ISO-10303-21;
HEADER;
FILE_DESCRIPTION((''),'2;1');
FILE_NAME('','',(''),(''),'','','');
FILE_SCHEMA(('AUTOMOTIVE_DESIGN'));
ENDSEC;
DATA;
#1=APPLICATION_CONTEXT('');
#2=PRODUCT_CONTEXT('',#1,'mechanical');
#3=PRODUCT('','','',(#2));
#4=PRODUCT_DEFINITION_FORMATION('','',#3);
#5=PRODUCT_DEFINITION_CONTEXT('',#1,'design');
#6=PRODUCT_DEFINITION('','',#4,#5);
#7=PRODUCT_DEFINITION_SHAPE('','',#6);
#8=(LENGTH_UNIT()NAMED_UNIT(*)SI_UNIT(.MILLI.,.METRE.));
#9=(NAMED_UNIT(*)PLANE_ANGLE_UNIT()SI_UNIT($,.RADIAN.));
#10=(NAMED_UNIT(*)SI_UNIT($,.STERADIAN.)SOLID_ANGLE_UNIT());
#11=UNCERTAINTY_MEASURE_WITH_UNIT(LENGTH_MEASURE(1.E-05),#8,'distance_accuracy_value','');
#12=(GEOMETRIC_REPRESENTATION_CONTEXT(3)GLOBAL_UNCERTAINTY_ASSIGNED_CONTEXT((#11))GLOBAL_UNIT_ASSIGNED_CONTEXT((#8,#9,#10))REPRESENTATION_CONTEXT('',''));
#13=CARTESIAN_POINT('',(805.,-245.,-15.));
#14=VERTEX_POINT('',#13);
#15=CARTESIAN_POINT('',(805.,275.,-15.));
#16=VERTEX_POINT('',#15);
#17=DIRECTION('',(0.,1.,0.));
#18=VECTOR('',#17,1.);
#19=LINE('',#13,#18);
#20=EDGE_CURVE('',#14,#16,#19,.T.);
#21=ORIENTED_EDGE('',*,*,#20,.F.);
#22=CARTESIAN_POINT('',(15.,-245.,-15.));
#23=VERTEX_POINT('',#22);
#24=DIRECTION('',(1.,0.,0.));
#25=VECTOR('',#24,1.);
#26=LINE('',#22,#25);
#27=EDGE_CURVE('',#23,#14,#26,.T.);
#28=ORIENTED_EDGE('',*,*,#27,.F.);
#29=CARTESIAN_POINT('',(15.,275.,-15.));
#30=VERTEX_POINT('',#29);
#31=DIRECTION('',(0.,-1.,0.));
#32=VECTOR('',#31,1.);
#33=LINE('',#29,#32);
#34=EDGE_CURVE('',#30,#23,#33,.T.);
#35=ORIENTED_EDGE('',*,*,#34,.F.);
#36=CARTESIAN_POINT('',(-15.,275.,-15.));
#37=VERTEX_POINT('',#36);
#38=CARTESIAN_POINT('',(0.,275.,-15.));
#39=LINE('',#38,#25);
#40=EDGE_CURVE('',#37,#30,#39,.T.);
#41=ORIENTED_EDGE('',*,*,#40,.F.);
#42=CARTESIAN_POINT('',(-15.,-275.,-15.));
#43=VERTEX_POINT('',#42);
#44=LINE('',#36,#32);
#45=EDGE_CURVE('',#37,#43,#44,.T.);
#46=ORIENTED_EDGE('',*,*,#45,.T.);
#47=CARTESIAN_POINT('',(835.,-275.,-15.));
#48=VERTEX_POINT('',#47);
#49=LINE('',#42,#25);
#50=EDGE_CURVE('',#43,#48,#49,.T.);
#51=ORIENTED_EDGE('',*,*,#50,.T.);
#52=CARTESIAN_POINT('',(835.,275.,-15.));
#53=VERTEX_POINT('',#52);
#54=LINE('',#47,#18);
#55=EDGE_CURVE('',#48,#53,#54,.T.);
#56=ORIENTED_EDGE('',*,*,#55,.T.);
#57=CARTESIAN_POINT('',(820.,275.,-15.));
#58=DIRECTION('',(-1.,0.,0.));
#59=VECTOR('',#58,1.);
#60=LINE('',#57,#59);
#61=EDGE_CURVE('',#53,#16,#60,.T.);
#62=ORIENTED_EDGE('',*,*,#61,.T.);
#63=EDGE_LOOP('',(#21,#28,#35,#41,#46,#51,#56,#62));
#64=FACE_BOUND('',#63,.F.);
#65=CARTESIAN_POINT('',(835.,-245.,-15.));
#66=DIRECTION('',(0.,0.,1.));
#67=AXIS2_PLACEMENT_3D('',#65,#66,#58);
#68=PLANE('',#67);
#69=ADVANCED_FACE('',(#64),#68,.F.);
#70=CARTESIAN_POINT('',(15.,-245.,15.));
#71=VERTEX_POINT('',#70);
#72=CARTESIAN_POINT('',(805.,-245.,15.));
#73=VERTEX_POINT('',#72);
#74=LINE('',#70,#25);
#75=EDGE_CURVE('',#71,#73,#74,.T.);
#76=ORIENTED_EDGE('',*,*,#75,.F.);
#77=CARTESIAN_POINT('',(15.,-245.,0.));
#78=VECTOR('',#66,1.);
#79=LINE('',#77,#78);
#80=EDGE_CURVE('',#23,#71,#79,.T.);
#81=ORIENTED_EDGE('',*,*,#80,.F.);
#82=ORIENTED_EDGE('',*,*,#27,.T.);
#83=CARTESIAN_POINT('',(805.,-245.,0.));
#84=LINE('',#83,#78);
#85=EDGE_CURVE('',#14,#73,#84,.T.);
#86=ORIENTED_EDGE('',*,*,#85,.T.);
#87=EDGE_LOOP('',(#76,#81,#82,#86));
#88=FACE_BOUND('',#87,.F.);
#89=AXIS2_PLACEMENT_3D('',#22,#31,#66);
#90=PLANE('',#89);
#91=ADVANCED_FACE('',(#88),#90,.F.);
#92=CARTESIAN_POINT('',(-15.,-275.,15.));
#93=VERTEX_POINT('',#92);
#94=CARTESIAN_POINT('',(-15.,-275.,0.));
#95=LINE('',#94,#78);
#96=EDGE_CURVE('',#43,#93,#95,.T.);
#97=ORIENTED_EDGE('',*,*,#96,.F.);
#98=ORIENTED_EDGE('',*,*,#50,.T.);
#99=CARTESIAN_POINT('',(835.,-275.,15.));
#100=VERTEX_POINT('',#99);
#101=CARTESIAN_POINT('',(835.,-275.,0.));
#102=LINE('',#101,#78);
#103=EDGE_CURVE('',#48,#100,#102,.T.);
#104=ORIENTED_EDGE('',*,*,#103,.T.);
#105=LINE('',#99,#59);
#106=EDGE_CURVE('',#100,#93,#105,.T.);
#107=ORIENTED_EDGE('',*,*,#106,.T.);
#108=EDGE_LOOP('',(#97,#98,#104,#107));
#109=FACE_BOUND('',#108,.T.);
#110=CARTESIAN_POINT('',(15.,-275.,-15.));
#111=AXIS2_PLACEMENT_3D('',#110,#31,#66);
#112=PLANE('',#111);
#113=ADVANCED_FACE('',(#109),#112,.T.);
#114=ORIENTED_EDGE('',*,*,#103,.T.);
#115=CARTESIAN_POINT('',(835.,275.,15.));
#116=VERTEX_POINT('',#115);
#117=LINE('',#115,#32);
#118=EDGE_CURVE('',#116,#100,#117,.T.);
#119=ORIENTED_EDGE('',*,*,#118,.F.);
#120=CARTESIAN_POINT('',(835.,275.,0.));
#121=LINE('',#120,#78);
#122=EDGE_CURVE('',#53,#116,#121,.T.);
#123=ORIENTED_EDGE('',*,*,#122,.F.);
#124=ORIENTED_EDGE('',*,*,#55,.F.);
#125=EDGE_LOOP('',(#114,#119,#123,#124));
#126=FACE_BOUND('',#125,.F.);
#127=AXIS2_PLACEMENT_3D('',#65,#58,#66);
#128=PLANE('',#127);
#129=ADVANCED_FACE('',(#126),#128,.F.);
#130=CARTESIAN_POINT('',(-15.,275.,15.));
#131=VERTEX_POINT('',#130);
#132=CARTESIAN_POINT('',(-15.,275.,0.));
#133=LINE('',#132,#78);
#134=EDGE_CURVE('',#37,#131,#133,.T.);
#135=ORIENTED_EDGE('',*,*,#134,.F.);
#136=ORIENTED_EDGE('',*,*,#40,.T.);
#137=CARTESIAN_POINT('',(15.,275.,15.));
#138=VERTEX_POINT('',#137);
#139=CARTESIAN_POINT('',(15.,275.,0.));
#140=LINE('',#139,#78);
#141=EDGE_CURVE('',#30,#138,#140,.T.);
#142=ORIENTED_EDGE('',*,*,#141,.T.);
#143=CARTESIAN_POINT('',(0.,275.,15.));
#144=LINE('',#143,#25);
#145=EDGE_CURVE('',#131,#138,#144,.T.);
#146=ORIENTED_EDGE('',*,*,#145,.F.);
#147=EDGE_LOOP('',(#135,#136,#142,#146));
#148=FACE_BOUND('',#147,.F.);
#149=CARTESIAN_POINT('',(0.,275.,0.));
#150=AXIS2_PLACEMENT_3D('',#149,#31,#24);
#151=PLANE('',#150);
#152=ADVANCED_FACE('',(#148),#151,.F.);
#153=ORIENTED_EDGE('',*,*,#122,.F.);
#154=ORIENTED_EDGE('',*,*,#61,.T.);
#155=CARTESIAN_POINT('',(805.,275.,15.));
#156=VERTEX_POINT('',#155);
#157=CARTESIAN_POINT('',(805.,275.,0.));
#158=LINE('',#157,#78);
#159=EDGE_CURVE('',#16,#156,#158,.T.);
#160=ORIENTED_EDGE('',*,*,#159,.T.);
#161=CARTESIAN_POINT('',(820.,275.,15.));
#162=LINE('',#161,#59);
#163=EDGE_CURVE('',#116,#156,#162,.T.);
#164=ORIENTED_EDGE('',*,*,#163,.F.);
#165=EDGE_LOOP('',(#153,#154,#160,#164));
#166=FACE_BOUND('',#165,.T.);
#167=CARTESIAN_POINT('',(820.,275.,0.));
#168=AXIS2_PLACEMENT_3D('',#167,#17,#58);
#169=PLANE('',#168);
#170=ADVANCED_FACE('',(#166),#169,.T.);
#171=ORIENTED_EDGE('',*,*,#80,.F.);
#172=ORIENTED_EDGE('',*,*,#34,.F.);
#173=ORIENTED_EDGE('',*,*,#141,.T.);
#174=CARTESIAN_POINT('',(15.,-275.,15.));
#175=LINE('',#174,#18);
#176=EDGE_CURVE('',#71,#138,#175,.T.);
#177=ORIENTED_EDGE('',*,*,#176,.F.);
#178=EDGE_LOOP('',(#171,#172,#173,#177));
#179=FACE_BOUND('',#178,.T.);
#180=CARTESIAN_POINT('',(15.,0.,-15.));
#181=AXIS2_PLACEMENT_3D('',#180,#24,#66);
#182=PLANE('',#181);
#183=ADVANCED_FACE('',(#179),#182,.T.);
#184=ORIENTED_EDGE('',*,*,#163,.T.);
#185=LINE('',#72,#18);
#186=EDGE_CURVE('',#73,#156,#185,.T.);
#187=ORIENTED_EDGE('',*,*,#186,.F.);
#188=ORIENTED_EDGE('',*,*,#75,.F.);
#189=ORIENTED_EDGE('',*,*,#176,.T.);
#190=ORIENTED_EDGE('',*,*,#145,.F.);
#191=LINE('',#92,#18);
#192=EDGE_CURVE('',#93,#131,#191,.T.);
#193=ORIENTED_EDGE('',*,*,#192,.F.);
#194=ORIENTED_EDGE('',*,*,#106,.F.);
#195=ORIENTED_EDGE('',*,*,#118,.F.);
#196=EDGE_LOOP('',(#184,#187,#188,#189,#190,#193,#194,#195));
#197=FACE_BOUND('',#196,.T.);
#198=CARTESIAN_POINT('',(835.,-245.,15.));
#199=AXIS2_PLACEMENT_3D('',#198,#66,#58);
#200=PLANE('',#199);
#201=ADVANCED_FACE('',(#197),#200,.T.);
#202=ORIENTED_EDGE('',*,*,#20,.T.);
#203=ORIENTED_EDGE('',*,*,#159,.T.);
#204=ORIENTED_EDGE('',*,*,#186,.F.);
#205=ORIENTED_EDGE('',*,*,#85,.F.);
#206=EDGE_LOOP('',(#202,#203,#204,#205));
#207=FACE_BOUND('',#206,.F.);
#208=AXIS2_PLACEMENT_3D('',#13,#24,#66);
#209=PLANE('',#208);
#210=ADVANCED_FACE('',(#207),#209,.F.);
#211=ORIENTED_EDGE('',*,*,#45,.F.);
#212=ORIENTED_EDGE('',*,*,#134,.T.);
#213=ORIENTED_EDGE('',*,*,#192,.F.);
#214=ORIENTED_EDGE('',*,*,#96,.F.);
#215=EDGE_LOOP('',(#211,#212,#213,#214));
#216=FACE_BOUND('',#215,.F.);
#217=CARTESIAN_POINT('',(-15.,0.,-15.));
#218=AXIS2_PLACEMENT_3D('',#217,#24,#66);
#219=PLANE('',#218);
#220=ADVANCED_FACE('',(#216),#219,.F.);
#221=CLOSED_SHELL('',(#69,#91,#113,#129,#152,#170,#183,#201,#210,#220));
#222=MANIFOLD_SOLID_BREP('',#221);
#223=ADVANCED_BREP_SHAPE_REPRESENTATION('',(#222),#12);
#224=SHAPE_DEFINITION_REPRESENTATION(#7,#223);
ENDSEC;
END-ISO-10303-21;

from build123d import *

# Parameters (mm, degrees)
F0_W          = 30
F0_H          = 30
F1_DEPTH      = 275
F2_W          = 30
F2_H          = 30
F3_DEPTH      = 820
F4_W          = 30
F4_H          = 30
F5_DEPTH      = 520
F5_DEPTH_BACK = 25


with BuildPart() as f1:
    # F0 (on Front) → F1 (new body, symmetric)
    with BuildSketch(Plane.XZ):
        Rectangle(F0_W, F0_H)
    extrude(amount=F1_DEPTH, both=True)

    # F2 (on face) → F3 (join)
    with BuildSketch(Plane.YZ.offset(15)):
        with Locations((-260, 0)):
            Rectangle(F2_W, F2_H)
    extrude(amount=F3_DEPTH)

    # F4 (on face) → F5 (join, two sides)
    with BuildSketch(Plane(origin=(0, -245, 0), x_dir=(-1, 0, 0), z_dir=(0, 1, 0))) as f5_sk:
        with Locations((-820, 0)):
            Rectangle(F4_W, F4_H)
    extrude(amount=F5_DEPTH)
    extrude(f5_sk.sketch, amount=-F5_DEPTH_BACK)


solid = f1.part
